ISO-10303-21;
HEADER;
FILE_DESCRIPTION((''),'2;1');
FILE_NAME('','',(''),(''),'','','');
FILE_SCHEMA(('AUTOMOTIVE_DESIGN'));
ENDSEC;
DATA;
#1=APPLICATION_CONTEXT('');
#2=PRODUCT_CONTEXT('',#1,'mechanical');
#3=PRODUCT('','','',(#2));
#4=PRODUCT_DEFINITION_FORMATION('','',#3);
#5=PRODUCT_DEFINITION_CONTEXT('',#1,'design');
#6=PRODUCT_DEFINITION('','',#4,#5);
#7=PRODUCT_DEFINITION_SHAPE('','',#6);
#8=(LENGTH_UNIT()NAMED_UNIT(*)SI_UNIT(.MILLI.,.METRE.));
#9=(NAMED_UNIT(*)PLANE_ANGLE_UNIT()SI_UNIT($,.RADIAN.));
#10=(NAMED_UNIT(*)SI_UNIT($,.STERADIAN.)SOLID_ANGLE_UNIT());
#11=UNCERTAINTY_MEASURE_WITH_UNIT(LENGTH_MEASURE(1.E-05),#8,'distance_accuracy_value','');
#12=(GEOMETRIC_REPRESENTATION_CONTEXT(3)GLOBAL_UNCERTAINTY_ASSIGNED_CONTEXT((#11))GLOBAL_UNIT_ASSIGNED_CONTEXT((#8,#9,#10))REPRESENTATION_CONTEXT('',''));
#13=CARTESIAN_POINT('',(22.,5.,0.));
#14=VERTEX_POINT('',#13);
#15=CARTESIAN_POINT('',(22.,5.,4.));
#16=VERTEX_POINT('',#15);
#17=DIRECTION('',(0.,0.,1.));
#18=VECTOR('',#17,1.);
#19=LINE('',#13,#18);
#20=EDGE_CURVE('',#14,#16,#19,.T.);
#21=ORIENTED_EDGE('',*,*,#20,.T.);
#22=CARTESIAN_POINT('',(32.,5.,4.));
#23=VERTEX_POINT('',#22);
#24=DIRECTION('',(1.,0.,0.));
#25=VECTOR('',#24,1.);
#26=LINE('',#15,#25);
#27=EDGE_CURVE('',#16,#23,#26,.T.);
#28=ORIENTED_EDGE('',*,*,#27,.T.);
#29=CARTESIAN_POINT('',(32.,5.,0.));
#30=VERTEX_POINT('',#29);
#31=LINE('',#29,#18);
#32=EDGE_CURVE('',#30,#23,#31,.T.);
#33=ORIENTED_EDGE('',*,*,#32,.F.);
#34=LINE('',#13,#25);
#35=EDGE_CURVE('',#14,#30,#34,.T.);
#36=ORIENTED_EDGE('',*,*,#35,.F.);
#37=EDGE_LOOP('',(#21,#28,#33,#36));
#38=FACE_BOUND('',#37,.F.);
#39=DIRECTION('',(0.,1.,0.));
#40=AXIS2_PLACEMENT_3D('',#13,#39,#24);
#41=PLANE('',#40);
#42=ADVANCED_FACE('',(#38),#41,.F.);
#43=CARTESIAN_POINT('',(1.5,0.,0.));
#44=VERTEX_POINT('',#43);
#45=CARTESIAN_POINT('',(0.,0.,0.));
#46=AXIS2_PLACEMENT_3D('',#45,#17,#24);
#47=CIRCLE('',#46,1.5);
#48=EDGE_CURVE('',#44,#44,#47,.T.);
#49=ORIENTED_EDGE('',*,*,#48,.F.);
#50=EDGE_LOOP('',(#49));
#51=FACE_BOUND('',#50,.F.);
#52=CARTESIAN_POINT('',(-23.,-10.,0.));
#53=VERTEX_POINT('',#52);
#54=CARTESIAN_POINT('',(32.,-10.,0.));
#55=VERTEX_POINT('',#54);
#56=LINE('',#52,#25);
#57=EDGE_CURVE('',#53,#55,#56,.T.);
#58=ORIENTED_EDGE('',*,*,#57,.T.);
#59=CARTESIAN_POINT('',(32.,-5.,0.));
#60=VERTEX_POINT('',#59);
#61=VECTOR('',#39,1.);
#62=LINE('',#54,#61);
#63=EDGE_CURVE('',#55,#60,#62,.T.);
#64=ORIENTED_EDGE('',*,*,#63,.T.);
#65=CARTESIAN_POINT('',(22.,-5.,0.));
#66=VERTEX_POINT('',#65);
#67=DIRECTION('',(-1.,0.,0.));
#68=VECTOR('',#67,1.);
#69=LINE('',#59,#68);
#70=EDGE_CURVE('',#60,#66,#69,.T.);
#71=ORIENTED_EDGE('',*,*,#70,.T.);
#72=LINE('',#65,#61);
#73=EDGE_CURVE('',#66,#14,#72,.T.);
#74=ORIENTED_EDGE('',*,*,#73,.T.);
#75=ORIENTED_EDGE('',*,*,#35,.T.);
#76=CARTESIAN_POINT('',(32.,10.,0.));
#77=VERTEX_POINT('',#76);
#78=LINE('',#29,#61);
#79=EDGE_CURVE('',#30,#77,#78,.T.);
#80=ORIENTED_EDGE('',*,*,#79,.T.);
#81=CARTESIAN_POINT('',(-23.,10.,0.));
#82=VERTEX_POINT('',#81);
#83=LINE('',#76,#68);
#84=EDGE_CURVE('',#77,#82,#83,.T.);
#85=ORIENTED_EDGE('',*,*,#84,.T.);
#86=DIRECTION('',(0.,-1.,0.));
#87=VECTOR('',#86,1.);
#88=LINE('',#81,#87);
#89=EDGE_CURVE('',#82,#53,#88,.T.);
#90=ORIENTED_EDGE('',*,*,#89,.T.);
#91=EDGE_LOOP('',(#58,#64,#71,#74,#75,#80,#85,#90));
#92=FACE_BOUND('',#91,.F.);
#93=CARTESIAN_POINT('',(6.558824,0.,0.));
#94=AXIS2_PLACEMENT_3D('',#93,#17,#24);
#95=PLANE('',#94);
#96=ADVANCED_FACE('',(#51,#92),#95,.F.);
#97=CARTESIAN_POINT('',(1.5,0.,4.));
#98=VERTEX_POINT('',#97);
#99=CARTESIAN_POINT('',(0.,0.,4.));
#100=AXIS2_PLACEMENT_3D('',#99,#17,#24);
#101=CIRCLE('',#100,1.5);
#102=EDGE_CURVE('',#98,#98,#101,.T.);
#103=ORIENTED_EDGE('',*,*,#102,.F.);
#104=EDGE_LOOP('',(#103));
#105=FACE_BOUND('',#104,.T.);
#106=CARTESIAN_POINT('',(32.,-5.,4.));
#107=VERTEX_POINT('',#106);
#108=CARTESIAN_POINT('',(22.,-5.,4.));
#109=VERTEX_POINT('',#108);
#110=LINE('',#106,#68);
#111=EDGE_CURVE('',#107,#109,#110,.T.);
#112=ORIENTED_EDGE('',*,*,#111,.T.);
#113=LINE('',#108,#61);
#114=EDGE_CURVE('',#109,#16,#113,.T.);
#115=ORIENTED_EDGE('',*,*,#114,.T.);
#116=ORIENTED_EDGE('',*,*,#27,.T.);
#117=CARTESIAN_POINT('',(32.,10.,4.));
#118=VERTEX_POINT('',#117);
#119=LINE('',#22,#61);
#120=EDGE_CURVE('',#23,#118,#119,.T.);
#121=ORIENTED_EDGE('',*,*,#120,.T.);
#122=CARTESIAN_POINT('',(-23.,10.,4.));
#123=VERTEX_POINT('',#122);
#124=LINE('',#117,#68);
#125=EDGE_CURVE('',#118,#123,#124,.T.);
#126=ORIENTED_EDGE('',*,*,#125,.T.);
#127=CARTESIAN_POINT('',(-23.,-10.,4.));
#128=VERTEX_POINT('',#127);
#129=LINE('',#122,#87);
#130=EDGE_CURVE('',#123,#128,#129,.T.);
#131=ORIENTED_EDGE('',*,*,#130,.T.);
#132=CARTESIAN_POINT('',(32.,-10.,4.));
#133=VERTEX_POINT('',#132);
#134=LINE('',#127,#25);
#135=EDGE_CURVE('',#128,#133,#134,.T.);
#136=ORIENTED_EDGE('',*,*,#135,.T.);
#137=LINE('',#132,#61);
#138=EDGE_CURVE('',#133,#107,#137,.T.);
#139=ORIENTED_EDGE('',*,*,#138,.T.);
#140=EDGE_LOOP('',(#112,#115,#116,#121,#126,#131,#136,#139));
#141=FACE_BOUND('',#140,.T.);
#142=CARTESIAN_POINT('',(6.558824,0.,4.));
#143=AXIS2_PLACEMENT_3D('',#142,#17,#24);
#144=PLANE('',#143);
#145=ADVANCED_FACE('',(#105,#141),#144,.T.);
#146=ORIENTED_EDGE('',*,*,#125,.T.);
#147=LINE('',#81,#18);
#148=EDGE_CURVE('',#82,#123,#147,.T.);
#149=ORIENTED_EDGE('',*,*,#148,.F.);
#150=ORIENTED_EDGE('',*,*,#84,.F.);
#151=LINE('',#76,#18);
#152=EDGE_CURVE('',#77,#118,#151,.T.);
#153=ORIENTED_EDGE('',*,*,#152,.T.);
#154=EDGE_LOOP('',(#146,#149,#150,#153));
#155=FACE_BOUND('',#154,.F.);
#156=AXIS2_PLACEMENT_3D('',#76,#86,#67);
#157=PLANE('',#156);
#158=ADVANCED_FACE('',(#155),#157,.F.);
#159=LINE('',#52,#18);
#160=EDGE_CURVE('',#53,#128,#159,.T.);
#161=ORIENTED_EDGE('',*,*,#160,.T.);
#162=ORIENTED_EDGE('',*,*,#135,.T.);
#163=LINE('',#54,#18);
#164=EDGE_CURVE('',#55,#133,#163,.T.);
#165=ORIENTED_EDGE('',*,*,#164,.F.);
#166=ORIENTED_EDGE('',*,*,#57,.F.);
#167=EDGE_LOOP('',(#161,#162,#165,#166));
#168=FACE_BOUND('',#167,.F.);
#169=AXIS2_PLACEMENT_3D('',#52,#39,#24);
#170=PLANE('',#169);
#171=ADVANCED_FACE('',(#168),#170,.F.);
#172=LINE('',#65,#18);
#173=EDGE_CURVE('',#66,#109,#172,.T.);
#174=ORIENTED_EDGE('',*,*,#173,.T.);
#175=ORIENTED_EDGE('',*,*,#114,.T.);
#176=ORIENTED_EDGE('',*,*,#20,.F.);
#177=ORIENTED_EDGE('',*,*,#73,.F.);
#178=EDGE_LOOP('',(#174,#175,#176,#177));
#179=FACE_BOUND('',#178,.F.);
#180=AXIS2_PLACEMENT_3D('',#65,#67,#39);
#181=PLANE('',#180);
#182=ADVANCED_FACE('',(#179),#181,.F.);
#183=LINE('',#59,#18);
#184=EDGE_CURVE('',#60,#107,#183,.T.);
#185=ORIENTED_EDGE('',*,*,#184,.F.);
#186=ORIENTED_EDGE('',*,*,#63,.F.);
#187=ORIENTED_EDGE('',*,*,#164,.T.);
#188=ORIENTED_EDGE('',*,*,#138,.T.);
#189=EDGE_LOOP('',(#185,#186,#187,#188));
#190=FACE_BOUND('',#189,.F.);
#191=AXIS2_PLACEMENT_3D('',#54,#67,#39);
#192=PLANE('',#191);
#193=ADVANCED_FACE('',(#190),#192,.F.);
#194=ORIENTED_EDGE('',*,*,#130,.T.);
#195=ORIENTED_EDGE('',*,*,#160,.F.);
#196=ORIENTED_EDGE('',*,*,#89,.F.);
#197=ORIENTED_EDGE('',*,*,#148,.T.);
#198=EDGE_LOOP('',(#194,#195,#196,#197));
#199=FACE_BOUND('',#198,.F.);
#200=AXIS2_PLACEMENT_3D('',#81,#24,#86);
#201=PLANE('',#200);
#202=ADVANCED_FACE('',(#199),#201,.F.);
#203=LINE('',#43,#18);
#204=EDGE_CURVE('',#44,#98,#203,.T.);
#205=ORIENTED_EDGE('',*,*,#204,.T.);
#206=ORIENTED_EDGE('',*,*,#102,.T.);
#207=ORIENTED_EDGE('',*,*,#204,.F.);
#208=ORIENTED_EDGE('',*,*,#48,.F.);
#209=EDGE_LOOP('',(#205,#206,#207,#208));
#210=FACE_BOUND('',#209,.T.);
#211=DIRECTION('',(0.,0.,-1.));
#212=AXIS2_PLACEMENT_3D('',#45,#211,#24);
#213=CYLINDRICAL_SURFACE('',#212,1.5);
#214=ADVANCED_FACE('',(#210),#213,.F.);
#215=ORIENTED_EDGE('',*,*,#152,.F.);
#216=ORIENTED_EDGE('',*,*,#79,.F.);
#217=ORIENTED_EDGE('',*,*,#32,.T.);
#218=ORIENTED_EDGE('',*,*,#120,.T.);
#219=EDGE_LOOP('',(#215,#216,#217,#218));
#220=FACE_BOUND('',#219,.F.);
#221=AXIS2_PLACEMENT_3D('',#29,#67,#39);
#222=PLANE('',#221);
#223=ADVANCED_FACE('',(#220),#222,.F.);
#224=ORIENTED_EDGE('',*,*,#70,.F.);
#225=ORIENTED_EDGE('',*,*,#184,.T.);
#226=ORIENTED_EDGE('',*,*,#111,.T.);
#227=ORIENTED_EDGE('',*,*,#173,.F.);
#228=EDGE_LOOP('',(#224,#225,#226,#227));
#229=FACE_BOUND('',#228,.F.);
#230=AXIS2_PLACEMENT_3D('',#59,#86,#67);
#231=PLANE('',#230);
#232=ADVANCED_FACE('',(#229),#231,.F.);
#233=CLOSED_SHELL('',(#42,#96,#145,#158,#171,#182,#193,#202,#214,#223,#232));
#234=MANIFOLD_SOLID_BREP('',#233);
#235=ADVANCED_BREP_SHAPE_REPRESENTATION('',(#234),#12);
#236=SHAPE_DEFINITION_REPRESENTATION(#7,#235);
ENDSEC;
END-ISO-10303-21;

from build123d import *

# Parameters (mm, degrees)
F0_R     = 1.5
F1_DEPTH = 4


with BuildPart() as f1:
    # F0 (on Top) → F1 (new body)
    with BuildSketch(Plane.XY):
        Polygon((-23, 10), (-23, 0), (-23, -10), (32, -10), (32, -5), (22, -5), (22, 0), (22, 5), (32, 5), (32, 10), align=None)
        Circle(F0_R, mode=Mode.SUBTRACT)
    extrude(amount=F1_DEPTH)


solid = f1.part
